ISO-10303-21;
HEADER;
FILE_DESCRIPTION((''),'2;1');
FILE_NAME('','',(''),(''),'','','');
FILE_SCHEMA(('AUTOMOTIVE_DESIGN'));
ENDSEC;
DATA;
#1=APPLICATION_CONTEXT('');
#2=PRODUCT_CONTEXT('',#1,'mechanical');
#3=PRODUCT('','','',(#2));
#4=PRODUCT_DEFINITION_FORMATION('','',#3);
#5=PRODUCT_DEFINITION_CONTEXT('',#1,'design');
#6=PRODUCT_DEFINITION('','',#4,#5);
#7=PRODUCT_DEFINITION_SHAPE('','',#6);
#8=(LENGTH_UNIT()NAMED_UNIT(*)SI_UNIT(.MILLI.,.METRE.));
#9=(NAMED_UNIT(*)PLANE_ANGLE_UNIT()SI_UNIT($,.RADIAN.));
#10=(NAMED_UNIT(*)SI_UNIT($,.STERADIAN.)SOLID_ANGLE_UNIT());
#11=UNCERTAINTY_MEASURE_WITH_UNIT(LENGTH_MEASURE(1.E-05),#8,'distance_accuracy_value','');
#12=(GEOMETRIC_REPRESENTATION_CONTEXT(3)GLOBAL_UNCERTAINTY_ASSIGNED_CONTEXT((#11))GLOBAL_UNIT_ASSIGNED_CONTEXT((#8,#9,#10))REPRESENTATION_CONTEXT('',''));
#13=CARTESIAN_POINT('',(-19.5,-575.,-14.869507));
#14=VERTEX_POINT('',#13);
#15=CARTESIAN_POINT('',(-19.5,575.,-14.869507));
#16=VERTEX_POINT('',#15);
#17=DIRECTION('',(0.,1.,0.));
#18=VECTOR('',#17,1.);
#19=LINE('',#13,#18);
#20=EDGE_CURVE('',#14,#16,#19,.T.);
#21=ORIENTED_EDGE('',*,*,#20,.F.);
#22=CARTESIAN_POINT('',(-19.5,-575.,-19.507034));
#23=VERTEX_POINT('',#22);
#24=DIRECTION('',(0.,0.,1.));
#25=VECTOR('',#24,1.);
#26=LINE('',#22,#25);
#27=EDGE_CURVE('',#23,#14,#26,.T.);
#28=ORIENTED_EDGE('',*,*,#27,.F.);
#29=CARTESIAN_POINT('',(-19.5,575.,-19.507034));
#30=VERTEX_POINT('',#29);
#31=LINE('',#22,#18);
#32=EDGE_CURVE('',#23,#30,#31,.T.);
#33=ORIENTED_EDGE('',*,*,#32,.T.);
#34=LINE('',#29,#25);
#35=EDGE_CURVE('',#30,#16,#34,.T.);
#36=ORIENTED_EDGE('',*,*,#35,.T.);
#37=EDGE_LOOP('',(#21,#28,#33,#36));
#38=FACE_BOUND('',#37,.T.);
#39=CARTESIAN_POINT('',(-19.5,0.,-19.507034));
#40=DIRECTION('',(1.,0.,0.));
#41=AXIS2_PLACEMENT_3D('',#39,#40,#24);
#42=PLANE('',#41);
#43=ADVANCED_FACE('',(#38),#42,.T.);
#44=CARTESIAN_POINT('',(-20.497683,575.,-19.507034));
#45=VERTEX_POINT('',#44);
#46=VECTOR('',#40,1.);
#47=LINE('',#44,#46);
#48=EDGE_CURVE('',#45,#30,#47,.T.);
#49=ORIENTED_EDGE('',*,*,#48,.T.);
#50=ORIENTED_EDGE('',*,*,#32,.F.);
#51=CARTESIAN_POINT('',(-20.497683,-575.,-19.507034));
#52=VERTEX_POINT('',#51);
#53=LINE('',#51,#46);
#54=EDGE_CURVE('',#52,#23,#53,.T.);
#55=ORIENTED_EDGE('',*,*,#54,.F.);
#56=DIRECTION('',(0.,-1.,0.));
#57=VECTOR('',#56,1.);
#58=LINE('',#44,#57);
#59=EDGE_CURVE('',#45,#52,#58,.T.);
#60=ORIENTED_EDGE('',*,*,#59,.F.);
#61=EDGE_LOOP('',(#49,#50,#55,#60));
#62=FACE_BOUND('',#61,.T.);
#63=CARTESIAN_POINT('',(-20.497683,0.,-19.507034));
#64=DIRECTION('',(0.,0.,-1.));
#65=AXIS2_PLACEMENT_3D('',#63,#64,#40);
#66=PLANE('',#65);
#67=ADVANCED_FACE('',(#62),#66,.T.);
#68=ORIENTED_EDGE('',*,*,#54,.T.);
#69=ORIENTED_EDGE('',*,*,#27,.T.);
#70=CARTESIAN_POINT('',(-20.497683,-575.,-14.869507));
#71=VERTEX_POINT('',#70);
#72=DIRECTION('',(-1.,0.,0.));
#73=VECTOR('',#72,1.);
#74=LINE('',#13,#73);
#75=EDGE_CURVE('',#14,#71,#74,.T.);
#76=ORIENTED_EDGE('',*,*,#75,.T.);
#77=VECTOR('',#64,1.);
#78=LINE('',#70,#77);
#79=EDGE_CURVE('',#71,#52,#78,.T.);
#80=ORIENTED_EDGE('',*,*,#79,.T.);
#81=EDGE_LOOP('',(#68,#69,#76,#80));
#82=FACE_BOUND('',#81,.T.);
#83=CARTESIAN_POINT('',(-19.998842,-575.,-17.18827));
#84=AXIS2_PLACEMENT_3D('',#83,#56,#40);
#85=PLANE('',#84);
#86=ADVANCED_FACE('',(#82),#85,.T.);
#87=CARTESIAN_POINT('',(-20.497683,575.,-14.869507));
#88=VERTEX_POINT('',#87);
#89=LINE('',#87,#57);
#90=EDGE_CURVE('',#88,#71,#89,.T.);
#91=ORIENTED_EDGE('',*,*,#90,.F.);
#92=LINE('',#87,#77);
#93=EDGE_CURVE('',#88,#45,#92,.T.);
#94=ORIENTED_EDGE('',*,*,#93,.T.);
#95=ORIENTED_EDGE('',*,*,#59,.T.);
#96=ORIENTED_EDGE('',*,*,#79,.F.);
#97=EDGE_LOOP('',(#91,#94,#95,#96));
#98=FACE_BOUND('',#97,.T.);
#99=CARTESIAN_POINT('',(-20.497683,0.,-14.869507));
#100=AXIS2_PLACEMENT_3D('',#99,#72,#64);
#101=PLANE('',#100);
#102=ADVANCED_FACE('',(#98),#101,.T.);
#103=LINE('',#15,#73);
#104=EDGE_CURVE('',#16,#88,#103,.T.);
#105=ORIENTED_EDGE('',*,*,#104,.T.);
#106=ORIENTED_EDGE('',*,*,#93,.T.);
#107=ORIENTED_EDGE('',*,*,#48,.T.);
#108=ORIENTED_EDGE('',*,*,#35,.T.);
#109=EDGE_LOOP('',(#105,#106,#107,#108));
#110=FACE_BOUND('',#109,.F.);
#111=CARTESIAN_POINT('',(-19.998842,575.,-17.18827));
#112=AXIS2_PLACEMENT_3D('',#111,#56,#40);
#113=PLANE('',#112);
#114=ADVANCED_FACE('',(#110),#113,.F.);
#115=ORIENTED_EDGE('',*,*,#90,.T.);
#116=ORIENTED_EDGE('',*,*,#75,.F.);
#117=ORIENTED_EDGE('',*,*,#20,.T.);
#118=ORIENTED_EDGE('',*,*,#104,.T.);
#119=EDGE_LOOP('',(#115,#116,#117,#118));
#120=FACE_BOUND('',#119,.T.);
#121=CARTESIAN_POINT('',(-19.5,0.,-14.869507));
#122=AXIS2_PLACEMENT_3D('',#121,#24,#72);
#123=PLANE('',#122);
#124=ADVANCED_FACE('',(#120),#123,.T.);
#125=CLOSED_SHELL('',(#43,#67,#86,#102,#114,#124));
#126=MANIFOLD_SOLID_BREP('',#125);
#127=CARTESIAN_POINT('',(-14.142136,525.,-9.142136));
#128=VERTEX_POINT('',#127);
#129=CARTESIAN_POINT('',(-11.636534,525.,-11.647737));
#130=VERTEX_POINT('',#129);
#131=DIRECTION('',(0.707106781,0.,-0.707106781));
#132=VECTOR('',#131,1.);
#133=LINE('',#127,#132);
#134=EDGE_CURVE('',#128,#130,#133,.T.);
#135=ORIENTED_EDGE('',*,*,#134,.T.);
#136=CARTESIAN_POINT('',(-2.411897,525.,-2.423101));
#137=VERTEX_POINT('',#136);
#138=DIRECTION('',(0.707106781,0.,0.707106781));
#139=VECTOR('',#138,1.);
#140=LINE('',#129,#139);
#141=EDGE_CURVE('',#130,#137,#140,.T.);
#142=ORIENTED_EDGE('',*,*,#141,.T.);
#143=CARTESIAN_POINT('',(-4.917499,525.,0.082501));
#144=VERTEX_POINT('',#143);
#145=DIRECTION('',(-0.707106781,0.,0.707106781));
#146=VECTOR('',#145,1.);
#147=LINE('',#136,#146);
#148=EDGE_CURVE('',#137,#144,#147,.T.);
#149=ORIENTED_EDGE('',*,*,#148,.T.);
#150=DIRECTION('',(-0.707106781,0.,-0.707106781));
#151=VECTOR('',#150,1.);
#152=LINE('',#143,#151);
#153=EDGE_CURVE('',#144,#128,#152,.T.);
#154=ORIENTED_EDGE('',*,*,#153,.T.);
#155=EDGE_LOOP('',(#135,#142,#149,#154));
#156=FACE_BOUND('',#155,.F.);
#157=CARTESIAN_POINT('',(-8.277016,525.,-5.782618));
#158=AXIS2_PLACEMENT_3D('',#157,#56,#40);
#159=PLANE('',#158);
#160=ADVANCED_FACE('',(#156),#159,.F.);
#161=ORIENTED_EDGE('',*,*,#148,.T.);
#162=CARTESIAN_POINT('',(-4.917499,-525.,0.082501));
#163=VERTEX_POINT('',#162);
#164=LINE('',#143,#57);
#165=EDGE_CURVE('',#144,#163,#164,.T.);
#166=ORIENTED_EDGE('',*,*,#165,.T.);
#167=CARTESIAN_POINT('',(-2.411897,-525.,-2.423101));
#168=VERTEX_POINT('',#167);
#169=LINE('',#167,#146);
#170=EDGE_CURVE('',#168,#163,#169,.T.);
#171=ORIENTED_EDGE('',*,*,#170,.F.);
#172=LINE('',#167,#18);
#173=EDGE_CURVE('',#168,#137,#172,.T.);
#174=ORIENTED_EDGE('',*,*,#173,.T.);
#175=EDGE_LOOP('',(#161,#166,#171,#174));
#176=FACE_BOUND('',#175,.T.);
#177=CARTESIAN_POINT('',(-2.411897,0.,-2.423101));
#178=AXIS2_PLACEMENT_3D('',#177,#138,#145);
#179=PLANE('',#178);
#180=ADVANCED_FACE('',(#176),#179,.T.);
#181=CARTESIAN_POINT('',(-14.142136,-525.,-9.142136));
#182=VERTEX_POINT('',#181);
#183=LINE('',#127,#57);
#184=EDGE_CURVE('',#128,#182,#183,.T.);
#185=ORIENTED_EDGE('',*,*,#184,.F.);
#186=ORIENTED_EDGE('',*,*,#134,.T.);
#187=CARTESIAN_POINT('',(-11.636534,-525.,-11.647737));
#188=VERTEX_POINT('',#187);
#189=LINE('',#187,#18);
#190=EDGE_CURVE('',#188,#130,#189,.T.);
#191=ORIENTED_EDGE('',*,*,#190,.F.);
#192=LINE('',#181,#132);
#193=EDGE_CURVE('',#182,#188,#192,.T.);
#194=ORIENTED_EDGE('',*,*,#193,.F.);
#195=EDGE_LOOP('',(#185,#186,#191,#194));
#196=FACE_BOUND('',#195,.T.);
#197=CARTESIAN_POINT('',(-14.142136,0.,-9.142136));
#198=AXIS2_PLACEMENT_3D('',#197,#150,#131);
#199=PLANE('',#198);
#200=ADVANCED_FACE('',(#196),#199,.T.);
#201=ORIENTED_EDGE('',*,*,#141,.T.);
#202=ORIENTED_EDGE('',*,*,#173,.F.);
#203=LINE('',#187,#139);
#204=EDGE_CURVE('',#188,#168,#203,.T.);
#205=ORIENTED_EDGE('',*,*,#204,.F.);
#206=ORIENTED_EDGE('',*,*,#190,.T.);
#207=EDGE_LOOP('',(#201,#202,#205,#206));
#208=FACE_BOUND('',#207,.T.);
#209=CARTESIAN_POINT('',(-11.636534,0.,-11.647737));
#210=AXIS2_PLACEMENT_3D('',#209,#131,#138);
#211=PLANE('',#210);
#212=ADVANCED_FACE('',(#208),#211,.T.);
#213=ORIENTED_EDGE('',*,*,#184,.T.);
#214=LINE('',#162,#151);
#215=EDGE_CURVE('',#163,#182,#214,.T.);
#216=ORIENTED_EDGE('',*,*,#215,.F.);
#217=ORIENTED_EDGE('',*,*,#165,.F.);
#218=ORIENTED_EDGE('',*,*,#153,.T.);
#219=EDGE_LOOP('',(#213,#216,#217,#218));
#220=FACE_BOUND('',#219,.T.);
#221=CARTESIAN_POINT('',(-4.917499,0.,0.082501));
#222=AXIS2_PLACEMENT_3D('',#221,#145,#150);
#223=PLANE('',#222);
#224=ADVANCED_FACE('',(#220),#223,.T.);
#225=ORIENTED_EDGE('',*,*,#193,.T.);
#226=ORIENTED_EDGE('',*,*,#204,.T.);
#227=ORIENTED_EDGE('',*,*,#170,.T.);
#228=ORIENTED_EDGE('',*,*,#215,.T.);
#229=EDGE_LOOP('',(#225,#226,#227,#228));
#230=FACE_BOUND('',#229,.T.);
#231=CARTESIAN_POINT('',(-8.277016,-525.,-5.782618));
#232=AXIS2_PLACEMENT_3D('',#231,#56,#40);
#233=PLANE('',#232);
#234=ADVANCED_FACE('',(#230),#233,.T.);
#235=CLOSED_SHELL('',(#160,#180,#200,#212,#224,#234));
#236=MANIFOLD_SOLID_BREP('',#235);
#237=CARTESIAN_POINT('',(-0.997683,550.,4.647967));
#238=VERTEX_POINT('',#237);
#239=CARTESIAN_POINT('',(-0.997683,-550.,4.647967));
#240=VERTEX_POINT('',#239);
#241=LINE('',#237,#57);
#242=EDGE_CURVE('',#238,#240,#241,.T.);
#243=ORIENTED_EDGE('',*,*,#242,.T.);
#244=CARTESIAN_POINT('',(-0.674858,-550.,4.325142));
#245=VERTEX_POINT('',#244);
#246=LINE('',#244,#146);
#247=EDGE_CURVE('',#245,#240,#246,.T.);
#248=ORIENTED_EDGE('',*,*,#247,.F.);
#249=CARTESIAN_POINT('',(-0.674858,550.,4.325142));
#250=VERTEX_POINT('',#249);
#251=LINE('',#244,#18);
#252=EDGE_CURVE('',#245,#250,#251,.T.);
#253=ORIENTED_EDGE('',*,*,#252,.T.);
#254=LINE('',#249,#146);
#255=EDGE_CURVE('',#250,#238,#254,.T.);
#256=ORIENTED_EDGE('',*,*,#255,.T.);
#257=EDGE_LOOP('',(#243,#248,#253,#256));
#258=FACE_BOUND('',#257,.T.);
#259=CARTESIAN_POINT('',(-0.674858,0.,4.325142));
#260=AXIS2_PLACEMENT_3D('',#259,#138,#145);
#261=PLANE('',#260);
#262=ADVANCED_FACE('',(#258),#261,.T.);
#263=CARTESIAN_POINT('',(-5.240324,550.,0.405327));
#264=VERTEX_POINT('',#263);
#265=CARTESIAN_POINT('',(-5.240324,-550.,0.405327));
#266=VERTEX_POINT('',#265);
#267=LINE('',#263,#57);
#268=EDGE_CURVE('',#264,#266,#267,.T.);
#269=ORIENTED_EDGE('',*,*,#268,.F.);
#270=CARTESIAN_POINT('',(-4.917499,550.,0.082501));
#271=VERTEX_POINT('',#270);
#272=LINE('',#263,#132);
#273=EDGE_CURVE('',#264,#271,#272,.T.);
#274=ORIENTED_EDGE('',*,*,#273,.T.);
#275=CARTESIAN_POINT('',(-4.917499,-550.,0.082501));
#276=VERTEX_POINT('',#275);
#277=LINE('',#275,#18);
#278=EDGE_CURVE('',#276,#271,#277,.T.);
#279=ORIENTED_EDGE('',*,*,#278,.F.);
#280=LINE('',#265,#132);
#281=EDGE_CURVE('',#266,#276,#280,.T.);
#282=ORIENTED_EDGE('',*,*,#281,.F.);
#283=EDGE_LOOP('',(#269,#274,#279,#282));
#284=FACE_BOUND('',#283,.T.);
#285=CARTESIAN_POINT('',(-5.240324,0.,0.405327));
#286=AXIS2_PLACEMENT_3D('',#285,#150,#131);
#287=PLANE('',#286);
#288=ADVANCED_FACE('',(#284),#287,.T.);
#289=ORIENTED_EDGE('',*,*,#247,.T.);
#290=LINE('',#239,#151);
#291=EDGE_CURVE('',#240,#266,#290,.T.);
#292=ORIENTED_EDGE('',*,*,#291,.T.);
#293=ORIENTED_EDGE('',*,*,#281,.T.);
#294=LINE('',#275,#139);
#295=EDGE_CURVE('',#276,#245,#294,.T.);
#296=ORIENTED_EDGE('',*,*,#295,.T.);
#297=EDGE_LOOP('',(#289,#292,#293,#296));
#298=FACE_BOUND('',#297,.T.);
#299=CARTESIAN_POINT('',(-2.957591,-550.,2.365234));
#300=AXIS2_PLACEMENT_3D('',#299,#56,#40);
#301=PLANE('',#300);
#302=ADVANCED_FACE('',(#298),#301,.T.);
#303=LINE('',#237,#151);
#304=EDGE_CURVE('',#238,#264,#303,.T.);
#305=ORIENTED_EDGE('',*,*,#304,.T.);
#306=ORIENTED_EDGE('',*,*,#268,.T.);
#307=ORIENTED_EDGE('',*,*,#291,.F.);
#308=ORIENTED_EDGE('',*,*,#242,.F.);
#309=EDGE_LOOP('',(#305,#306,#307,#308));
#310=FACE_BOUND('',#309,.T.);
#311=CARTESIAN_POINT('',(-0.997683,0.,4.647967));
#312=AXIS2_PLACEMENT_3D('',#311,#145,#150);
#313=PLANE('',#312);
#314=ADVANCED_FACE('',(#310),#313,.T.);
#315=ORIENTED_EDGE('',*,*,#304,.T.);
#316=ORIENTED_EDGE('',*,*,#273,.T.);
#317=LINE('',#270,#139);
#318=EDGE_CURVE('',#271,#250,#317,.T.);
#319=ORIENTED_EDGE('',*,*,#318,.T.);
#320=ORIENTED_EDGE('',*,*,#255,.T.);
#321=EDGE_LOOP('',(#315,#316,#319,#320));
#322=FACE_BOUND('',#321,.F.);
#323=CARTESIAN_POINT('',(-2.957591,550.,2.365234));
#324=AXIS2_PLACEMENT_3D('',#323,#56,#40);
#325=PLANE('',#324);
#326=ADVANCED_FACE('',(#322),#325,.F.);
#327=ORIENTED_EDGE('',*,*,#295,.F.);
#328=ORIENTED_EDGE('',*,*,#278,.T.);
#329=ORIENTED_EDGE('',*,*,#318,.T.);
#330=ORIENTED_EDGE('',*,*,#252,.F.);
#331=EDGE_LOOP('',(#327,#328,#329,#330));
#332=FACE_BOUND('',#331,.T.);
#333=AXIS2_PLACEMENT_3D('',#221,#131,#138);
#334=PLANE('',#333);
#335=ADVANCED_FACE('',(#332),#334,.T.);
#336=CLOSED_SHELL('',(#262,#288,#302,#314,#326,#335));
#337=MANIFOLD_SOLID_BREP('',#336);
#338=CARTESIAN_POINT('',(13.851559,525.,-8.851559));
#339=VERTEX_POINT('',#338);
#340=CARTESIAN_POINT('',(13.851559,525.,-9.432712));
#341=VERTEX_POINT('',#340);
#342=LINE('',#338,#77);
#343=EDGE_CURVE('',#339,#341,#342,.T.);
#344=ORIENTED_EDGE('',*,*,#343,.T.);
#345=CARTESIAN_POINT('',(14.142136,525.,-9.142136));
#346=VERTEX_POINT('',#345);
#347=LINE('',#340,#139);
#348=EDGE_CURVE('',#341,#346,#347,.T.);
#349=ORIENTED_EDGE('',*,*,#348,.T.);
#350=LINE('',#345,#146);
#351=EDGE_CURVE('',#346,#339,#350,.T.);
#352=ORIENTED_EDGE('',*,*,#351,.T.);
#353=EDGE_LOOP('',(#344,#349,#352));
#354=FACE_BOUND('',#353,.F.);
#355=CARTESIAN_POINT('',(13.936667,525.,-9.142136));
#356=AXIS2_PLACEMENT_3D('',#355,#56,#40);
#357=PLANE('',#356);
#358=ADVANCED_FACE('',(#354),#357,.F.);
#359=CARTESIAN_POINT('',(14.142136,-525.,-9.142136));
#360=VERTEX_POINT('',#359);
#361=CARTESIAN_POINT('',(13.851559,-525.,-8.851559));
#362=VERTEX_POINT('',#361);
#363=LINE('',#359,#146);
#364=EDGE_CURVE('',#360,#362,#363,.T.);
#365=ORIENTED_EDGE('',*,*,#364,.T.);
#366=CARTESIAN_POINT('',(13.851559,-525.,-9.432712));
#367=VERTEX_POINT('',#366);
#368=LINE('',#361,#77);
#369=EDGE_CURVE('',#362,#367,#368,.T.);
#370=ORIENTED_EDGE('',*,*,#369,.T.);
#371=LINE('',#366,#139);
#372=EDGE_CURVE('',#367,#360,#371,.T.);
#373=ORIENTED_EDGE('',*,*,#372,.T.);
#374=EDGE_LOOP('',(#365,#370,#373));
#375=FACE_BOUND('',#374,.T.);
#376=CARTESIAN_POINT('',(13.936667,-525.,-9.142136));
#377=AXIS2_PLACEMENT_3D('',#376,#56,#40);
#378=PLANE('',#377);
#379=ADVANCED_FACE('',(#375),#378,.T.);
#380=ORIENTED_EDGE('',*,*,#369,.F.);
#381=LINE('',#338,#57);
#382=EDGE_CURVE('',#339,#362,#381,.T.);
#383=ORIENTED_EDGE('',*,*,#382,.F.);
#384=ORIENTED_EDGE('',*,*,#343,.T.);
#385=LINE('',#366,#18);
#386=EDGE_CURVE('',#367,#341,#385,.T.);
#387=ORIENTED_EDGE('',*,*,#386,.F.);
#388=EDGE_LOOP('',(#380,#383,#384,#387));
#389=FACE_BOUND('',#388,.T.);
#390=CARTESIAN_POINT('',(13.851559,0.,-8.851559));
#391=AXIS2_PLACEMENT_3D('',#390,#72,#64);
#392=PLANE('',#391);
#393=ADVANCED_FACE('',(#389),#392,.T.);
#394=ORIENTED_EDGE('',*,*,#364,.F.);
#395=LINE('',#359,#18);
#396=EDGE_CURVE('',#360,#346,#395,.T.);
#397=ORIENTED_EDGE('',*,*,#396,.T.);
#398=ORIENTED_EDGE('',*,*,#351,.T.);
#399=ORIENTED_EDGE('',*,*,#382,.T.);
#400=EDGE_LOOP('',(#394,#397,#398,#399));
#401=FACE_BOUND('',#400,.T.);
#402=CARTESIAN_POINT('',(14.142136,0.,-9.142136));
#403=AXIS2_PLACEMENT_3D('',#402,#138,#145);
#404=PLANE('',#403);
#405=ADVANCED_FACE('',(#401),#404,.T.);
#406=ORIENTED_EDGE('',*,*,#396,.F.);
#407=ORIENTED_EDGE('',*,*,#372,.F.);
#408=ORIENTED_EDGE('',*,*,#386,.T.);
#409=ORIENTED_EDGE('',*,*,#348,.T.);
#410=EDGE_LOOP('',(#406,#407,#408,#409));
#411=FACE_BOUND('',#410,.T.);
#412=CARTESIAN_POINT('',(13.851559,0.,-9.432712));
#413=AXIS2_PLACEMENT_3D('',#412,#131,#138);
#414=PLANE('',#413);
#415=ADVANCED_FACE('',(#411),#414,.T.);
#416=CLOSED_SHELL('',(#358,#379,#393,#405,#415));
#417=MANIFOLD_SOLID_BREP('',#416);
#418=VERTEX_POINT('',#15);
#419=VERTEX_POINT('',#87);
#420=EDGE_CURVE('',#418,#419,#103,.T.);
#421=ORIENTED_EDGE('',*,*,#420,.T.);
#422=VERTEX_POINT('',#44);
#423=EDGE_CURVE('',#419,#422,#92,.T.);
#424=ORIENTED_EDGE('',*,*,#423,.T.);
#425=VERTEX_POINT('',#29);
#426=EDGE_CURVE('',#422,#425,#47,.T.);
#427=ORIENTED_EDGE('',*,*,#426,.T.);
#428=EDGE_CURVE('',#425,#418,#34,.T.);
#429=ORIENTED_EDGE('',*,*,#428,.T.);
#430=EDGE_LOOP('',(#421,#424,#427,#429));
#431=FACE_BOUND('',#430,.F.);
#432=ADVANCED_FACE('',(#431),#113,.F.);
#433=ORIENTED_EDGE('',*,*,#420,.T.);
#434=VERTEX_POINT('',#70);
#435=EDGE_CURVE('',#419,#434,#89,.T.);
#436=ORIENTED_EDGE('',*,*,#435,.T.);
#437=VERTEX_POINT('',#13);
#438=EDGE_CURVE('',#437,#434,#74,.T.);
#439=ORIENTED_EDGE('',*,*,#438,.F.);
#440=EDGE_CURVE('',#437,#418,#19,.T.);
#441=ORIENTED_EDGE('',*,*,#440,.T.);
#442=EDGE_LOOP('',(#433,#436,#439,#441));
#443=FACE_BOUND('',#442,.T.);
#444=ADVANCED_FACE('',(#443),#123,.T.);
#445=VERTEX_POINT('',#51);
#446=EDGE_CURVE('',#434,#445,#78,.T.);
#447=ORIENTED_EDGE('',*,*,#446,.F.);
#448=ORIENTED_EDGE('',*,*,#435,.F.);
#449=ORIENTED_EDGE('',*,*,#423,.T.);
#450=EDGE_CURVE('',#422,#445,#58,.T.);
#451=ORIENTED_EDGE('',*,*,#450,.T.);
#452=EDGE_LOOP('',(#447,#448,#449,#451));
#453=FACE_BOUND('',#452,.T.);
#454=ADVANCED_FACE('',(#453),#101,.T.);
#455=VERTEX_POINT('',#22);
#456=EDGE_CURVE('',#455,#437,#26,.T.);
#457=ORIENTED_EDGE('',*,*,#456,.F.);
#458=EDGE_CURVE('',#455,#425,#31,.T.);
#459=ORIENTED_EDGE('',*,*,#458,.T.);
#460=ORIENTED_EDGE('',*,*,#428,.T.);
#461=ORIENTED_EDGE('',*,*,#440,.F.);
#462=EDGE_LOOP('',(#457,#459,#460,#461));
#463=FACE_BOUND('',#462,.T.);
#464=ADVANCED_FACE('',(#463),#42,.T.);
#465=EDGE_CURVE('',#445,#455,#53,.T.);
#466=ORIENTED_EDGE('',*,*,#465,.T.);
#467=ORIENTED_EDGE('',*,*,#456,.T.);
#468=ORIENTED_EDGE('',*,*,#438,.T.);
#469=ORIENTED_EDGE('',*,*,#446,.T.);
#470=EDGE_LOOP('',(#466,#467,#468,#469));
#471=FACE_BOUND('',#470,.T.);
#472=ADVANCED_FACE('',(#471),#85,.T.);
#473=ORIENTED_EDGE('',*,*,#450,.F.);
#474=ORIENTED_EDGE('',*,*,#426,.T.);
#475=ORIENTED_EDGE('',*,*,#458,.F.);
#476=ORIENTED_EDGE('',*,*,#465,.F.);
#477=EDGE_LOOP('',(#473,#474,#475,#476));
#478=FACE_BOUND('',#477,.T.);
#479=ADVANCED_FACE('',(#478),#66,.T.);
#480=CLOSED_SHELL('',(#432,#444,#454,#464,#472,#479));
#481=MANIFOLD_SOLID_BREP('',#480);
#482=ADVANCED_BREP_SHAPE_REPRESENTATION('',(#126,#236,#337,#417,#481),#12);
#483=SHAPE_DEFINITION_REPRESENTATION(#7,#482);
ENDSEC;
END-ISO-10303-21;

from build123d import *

# Parameters (mm, degrees)
F1_DEPTH = 525
F2_DEPTH = 550
F3_DEPTH = 575
F5_DEPTH = 550
F6_DEPTH = 575


with BuildPart() as f1:
    # F0 (on Front) → F1 (new body, symmetric)
    with BuildSketch(Plane.XZ):
        Polygon((-2.4118969857, -2.4231005272), (-4.9174987565, 0.0825012435), (-14.1421356237, -9.1421356237), (-11.636533853, -11.6477373945), align=None)
    extrude(amount=F1_DEPTH, both=True)


with BuildPart() as f1b:
    # F0 (on Front) → F1, piece 2 (new body, symmetric)
    with BuildSketch(Plane.XZ):
        Polygon((14.1421356237, -9.1421356237), (13.8515589816, -8.8515589816), (13.8515589816, -9.4327122659), align=None)
    extrude(amount=F1_DEPTH, both=True)


with BuildPart() as f2:
    # F0 (on Front) → F2 (new body, symmetric)
    with BuildSketch(Plane.XZ):
        Polygon((-0.6748580693, 4.3251419307), (0, 5), (4.2426406871, 0.7573593129), (13.8193102697, -8.8193102697), (13.8515589816, -8.7870615579), (10.8745088347, -5.810011411), (10.854404961, -5.7899075373), (5.416530139, -0.3520327153), (0.416530139, 4.6479672847), (-0.6748580693, 5.739355493), (-1.4142135624, 5), (-6.4142135624, 0), (-11.872192258, -5.4579786956), (-14.8492424049, -8.4350288425), (-14.4649609777, -8.8193102697), (-5.2403241105, 0.4053265976), (-0.9976834234, 4.6479672847), align=None)
        Polygon((-4.2426406871, 0.7573593129), (-0.6748580693, 4.3251419307), (-0.9976834234, 4.6479672847), (-5.2403241105, 0.4053265976), (-4.9174987565, 0.0825012435), align=None)
    extrude(amount=F2_DEPTH, both=True)


with BuildPart() as f3:
    # F0 (on Front) → F3 (new body, symmetric)
    with BuildSketch(Plane.XZ):
        Polygon((-19.5, -17.5), (-19.5, -14.8695067036), (-20.4976834234, -14.8695067036), (-20.4976834234, -17.8520327153), (-20.4976834234, -19.5070338249), (-19.5, -19.5070338249), align=None)
    extrude(amount=F3_DEPTH, both=True)


with BuildPart() as f5:
    # F0 (on Front) → F5 (new body, symmetric)
    with BuildSketch(Plane.XZ):
        Polygon((-4.2426406871, 0.7573593129), (-0.6748580693, 4.3251419307), (-0.9976834234, 4.6479672847), (-5.2403241105, 0.4053265976), (-4.9174987565, 0.0825012435), align=None)
    extrude(amount=F5_DEPTH, both=True)


with BuildPart() as f6:
    # F0 (on Front) → F6 (new body, symmetric)
    with BuildSketch(Plane.XZ):
        Polygon((-19.5, -17.5), (-19.5, -14.8695067036), (-20.4976834234, -14.8695067036), (-20.4976834234, -17.8520327153), (-20.4976834234, -19.5070338249), (-19.5, -19.5070338249), align=None)
    extrude(amount=F6_DEPTH, both=True)


solid = Compound([f1.part, f1b.part, f3.part, f5.part, f6.part])
